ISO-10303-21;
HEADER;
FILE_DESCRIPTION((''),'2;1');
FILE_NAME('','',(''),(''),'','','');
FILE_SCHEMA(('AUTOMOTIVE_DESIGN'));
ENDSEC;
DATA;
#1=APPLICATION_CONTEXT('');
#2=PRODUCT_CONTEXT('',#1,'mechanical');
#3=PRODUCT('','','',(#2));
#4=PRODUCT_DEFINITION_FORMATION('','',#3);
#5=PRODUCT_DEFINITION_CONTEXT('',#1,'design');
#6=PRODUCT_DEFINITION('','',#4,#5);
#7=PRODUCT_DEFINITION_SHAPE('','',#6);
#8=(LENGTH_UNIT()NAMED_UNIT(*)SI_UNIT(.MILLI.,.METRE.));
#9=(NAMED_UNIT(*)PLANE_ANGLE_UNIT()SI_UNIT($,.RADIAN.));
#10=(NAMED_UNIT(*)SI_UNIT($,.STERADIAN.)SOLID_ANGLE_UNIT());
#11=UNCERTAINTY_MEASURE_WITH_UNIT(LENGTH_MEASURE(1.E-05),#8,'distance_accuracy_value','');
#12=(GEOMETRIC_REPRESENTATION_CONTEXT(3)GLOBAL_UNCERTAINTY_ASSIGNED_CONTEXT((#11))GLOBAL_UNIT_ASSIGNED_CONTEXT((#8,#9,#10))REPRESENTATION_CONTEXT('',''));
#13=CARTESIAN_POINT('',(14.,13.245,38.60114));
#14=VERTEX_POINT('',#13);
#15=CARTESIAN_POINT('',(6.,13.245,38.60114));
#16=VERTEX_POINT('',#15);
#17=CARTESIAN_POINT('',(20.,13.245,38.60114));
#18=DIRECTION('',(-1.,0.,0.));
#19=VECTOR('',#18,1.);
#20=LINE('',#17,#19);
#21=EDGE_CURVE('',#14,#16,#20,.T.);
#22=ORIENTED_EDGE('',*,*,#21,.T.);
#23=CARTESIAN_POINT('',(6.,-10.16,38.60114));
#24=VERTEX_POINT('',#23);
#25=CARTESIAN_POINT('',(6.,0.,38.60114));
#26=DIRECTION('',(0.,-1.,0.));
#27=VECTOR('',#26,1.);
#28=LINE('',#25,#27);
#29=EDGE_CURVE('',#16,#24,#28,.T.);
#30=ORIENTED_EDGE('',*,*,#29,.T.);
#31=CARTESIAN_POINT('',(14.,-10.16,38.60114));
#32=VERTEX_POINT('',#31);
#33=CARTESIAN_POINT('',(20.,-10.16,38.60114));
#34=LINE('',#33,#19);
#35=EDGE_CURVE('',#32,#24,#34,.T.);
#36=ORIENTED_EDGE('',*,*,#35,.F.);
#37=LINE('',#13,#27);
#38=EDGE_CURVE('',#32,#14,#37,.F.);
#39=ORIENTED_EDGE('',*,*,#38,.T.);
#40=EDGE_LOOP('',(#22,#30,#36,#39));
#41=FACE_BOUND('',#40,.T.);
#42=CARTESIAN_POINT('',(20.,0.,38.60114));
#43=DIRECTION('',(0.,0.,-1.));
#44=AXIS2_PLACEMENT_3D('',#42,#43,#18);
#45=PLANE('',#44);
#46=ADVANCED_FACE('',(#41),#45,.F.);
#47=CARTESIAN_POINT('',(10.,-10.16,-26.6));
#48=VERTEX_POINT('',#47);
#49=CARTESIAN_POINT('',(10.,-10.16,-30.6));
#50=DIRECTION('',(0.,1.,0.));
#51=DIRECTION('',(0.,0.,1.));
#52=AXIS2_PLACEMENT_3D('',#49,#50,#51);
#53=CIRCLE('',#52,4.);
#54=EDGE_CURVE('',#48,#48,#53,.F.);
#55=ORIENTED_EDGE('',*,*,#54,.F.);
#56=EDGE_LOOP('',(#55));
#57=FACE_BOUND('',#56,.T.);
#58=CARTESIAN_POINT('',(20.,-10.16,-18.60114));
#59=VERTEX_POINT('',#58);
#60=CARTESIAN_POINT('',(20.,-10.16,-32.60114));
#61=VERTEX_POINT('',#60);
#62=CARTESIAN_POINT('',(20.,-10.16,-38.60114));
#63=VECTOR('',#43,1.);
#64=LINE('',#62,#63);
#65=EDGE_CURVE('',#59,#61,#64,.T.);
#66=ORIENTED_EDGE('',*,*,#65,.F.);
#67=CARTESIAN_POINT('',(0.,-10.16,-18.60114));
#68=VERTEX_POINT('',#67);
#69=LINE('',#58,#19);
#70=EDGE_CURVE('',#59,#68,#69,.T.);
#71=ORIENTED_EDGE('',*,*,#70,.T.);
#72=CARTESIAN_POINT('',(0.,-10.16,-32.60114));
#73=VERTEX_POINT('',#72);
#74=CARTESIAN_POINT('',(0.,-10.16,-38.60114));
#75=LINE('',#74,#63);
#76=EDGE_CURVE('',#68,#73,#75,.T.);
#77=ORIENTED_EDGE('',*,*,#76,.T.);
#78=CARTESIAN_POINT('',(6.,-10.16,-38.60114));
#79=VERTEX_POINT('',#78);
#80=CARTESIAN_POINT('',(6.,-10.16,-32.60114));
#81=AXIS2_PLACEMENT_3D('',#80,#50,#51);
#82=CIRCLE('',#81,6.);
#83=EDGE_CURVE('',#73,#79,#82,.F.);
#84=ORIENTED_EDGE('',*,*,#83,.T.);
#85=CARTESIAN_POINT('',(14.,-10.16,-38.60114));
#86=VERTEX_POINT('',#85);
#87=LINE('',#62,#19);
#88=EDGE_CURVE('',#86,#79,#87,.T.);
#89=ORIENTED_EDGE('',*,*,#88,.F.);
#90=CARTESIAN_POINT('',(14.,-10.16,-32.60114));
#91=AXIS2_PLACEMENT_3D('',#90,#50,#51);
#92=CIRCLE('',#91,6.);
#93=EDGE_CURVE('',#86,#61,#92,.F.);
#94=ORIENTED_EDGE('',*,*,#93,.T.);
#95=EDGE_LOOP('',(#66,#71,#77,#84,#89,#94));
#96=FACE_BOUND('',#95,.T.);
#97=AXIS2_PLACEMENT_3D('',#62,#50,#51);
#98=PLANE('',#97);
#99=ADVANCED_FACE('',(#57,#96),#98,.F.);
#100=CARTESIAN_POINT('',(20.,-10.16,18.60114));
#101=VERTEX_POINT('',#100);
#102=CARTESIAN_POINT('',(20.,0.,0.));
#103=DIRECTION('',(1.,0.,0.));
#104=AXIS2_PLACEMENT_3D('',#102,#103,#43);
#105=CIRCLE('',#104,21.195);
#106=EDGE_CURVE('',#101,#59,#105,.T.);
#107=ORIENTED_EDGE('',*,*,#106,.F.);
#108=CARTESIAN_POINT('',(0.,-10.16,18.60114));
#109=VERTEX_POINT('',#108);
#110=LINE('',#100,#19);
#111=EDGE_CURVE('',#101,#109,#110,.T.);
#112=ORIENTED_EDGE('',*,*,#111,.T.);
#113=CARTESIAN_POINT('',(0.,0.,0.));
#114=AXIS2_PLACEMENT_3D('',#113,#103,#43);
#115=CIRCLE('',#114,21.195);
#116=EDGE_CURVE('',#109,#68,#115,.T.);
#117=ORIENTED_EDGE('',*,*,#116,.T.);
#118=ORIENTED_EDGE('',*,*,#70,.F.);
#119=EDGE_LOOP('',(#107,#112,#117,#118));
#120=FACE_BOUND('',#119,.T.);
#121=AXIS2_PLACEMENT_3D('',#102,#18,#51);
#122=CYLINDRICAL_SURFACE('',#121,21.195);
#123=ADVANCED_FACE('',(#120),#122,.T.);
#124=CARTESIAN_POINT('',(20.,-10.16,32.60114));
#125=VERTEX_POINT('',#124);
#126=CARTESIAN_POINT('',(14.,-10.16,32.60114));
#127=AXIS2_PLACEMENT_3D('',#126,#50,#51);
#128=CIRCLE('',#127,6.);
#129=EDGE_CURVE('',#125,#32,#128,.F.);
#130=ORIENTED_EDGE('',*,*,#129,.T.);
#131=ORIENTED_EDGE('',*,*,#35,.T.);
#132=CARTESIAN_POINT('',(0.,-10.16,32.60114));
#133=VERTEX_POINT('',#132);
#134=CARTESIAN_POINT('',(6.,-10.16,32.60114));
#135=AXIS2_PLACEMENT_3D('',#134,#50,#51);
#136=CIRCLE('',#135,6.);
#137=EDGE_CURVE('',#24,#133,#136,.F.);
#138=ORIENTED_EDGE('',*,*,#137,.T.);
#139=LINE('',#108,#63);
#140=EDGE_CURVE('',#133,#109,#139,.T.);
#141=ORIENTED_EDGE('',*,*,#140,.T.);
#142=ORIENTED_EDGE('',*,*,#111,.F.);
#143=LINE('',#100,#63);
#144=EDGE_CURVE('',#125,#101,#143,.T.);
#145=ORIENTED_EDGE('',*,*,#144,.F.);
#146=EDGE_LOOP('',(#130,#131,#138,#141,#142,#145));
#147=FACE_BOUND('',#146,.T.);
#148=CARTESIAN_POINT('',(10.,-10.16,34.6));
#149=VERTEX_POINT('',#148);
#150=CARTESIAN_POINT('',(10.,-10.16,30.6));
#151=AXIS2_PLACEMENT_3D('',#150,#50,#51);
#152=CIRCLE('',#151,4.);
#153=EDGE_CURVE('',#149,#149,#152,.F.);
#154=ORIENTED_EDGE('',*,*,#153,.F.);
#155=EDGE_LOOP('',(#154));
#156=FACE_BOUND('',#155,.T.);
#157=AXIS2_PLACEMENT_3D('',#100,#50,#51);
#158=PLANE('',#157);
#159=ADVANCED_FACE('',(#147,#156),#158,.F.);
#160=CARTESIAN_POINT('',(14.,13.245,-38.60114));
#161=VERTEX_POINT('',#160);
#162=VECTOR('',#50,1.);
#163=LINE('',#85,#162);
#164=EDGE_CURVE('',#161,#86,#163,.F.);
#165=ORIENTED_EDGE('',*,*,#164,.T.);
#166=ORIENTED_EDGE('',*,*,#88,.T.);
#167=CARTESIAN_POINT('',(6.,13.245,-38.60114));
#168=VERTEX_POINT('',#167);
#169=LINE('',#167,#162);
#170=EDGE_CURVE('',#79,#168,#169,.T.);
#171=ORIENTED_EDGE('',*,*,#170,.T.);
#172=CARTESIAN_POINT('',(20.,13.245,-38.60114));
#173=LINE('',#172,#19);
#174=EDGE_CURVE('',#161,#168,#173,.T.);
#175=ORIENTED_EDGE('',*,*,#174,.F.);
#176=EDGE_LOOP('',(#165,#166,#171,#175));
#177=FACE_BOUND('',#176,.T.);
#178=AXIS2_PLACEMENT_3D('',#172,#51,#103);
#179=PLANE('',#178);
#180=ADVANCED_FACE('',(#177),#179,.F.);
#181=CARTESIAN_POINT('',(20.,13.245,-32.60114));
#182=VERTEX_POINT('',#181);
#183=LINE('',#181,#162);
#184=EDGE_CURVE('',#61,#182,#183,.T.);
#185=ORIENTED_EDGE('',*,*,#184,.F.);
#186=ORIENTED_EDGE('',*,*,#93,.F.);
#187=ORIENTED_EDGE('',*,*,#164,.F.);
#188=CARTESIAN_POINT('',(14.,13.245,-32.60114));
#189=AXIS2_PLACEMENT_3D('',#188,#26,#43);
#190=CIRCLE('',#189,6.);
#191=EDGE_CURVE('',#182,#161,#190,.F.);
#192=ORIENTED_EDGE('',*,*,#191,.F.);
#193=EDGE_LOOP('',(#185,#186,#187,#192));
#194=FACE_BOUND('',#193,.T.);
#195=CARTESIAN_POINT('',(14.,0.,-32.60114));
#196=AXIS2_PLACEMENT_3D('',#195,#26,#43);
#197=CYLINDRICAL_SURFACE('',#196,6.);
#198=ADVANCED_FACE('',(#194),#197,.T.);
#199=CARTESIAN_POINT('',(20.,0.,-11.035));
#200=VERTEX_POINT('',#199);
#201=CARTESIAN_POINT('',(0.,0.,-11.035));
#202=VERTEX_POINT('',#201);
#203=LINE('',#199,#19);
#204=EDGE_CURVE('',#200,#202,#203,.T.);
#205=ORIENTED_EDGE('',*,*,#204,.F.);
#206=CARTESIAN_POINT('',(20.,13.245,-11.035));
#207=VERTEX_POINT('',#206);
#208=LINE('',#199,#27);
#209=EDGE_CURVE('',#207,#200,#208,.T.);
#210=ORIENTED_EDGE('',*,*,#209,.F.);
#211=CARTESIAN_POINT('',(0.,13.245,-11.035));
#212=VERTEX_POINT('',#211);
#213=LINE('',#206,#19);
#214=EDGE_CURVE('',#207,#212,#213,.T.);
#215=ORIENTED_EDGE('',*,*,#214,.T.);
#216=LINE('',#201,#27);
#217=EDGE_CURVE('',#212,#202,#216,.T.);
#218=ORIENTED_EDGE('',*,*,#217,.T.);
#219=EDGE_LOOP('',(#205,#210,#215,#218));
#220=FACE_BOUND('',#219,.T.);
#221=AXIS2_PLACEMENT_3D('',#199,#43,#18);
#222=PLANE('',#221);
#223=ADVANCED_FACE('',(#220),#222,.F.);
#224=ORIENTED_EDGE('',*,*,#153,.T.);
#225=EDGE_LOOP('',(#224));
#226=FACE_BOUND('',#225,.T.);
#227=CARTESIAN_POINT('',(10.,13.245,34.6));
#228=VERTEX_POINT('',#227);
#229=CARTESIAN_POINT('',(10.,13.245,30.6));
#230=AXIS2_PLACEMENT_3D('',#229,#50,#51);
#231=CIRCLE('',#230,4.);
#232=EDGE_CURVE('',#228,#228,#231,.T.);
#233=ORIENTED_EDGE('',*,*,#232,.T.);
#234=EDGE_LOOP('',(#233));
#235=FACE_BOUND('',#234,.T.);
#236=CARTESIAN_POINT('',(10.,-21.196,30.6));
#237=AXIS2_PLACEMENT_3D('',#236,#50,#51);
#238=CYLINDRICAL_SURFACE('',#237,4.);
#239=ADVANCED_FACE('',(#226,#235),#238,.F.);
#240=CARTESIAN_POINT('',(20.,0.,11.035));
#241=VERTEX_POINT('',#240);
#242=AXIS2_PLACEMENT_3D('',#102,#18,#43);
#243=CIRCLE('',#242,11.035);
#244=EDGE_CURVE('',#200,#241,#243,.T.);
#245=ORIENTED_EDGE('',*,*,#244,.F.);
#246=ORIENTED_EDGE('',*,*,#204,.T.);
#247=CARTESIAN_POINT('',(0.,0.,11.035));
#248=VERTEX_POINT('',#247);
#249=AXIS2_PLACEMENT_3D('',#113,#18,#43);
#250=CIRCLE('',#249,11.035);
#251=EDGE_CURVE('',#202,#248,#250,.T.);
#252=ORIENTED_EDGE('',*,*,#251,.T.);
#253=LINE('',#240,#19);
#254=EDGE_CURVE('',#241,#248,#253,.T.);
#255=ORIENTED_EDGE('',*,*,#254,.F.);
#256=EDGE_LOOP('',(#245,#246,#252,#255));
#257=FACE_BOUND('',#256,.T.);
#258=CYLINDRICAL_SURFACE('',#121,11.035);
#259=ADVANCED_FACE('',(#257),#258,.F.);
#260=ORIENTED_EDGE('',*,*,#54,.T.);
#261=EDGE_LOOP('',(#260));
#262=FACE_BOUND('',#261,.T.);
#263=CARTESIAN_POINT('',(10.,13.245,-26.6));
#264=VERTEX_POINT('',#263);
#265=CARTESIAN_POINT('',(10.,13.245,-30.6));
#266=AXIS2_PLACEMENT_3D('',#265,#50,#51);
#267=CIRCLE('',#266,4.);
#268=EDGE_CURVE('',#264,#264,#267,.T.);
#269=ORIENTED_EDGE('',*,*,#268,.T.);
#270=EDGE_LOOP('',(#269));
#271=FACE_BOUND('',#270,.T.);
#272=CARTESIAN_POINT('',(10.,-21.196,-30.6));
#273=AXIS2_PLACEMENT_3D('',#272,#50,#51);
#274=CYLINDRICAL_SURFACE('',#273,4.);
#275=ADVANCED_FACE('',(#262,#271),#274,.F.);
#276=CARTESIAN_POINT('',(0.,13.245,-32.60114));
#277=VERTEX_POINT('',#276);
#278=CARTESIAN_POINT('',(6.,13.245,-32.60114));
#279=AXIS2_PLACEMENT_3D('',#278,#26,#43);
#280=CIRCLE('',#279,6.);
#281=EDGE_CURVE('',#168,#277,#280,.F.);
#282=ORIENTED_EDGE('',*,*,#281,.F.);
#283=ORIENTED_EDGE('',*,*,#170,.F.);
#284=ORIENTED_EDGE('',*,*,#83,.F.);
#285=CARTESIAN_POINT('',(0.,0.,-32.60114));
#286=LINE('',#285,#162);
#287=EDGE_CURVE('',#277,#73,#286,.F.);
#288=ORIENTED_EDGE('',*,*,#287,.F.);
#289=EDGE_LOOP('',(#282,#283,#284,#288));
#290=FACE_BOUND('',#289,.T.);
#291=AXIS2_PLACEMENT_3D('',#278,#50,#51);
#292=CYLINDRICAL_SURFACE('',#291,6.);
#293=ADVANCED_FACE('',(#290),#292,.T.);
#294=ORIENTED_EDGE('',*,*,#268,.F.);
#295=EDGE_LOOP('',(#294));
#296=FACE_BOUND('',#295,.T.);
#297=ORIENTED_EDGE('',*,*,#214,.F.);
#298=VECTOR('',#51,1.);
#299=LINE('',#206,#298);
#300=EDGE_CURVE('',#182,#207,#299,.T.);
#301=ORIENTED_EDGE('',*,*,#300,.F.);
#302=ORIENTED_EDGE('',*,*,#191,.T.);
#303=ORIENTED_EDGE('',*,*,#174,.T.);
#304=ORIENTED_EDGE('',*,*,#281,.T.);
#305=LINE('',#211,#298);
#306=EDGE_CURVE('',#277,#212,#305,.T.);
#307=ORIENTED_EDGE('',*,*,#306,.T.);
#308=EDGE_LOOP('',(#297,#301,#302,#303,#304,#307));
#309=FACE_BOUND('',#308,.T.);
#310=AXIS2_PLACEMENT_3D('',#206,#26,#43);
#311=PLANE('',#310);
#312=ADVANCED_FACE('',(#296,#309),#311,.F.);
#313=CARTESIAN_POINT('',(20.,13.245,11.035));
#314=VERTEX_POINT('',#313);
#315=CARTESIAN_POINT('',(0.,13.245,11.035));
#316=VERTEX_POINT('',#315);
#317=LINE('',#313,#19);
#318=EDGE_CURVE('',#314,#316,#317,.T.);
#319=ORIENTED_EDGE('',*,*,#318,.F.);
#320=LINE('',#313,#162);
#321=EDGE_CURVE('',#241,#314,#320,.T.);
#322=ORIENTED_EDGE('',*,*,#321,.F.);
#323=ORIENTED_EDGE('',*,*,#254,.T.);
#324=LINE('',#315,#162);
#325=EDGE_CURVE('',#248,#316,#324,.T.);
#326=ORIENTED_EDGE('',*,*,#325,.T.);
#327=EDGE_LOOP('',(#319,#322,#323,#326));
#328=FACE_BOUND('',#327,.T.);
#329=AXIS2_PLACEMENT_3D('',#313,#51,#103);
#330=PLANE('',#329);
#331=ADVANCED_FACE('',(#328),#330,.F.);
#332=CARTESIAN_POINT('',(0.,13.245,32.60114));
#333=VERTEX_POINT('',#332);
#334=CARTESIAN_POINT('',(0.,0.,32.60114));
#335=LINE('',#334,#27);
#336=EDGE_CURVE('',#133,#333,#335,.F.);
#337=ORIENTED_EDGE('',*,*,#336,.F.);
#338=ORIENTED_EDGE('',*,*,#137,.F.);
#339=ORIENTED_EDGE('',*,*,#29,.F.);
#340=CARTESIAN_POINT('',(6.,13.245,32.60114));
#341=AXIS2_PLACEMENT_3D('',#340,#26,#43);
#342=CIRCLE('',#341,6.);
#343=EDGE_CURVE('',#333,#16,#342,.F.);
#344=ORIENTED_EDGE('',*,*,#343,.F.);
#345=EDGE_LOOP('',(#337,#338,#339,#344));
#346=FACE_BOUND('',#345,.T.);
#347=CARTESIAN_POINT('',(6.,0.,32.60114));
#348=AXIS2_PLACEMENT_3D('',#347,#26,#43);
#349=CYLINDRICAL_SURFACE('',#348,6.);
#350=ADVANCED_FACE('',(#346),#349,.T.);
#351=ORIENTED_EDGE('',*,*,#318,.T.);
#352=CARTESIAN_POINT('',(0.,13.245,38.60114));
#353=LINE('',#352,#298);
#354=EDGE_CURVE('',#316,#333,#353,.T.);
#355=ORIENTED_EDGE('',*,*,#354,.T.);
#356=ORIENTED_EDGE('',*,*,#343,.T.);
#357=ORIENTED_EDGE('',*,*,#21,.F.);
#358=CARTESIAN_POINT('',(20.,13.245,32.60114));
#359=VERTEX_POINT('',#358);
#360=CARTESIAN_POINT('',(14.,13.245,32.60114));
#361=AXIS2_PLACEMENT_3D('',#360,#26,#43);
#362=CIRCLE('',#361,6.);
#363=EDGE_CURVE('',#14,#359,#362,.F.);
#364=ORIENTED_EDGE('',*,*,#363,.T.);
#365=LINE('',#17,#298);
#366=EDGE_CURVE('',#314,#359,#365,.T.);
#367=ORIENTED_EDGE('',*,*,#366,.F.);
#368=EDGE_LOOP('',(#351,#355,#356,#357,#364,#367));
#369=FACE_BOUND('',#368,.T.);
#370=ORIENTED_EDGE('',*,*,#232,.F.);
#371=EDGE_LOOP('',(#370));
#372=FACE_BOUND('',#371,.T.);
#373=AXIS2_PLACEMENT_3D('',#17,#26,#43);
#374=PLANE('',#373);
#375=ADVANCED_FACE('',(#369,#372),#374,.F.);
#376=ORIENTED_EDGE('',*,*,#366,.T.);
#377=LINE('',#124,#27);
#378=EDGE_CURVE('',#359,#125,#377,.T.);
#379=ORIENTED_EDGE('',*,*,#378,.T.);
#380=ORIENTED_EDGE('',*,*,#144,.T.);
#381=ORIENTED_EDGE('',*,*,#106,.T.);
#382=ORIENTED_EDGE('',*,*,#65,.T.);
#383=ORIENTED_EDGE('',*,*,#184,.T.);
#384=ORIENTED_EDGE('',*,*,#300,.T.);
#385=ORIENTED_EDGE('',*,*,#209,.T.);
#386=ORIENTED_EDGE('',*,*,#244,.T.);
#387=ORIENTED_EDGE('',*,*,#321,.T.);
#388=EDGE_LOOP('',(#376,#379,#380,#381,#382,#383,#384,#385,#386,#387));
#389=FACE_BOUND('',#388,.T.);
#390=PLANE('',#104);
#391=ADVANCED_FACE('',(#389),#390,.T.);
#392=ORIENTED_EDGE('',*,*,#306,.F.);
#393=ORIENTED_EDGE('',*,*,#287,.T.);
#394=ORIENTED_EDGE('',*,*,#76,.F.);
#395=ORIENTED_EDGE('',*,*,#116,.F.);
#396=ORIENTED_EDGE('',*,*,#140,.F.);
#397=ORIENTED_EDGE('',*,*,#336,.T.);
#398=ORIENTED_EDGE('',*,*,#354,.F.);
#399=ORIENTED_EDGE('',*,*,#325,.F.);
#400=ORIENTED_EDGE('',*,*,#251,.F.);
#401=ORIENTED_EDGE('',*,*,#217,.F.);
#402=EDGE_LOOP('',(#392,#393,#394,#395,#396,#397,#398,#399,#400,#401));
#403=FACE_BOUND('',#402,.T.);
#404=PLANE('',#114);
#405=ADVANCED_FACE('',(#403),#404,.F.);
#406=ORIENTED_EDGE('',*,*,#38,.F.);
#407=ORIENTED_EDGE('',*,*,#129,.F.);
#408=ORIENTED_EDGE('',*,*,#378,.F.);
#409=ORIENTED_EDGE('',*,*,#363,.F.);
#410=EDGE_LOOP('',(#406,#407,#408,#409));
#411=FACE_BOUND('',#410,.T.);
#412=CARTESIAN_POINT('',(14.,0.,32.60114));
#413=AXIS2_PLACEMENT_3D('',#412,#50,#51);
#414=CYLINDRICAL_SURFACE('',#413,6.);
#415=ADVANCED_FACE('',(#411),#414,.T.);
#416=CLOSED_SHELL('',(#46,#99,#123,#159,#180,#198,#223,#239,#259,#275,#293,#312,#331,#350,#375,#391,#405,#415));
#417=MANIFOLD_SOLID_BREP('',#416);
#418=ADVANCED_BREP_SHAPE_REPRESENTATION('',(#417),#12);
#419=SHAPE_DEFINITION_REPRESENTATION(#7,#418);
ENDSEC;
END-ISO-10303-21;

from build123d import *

# Parameters (mm, degrees)
BOSS_EXTRUDE1_DEPTH = 20
CUT_EXTRUDE1_REACH  = 57.463
SKETCH3_R           = 4
FILLET1_R           = 6


with BuildPart() as part:
    # Sketch2 → Boss-Extrude1 (new body)
    with BuildSketch(Plane(origin=(0, 0, 0), x_dir=(0, 0, -1), z_dir=(1, 0, 0))):
        with BuildLine():
            Line((-18.601140422, -10.16), (-38.601140422, -10.16))
            Line((-38.601140422, -10.16), (-38.601140422, 0))
            Line((-38.601140422, 0), (-38.601140422, 13.245))
            Line((-38.601140422, 13.245), (-11.035, 13.245))
            Line((-11.035, 13.245), (-11.035, 0))
            ThreePointArc((-11.035, 0), (0, -11.035), (11.035, 0))
            Line((11.035, 0), (11.035, 13.245))
            Line((11.035, 13.245), (38.601140422, 13.245))
            Line((38.601140422, 13.245), (38.601140422, -10.16))
            Line((38.601140422, -10.16), (18.601140422, -10.16))
            ThreePointArc((18.601140422, -10.16), (0, -21.195), (-18.601140422, -10.16))
        make_face()
    extrude(amount=BOSS_EXTRUDE1_DEPTH)

    # Sketch3 → Cut-Extrude1 (cut, up to next)
    with BuildSketch(Plane(origin=(0, 13.245, 0), x_dir=(1, 0, 0), z_dir=(0, 1, 0)), mode=Mode.PRIVATE) as cut_extrude1_sk1:
        with Locations(Location((10, -30.6, 0), (0, 0, 270))):
            Circle(SKETCH3_R)
    cut_extrude1_tool1 = extrude(cut_extrude1_sk1.sketch, amount=-CUT_EXTRUDE1_REACH, mode=Mode.PRIVATE) & part.part
    # Sketch3 → Cut-Extrude1 (cut, up to next)
    with BuildSketch(Plane(origin=(0, 13.245, 0), x_dir=(1, 0, 0), z_dir=(0, 1, 0)), mode=Mode.PRIVATE) as cut_extrude1_sk2:
        with Locations(Location((10, 30.6, 0), (0, 0, 270))):
            Circle(SKETCH3_R)
    cut_extrude1_tool2 = extrude(cut_extrude1_sk2.sketch, amount=-CUT_EXTRUDE1_REACH, mode=Mode.PRIVATE) & part.part
    add(cut_extrude1_tool1.solids().sort_by_distance((10, 13.245, 30.6))[0], mode=Mode.SUBTRACT)
    add(cut_extrude1_tool2.solids().sort_by_distance((10, 13.245, -30.6))[0], mode=Mode.SUBTRACT)

    # Fillet1
    fillet1_edges = [part.edges().sort_by_distance(p)[0] for p in [
        (0, 1.5425, -38.601140422),
        (0, 1.5425, 38.601140422),
        (20, 1.5425, 38.601140422),
        (20, 1.5425, -38.601140422),
    ]]
    fillet(fillet1_edges, radius=FILLET1_R)


solid = part.part
